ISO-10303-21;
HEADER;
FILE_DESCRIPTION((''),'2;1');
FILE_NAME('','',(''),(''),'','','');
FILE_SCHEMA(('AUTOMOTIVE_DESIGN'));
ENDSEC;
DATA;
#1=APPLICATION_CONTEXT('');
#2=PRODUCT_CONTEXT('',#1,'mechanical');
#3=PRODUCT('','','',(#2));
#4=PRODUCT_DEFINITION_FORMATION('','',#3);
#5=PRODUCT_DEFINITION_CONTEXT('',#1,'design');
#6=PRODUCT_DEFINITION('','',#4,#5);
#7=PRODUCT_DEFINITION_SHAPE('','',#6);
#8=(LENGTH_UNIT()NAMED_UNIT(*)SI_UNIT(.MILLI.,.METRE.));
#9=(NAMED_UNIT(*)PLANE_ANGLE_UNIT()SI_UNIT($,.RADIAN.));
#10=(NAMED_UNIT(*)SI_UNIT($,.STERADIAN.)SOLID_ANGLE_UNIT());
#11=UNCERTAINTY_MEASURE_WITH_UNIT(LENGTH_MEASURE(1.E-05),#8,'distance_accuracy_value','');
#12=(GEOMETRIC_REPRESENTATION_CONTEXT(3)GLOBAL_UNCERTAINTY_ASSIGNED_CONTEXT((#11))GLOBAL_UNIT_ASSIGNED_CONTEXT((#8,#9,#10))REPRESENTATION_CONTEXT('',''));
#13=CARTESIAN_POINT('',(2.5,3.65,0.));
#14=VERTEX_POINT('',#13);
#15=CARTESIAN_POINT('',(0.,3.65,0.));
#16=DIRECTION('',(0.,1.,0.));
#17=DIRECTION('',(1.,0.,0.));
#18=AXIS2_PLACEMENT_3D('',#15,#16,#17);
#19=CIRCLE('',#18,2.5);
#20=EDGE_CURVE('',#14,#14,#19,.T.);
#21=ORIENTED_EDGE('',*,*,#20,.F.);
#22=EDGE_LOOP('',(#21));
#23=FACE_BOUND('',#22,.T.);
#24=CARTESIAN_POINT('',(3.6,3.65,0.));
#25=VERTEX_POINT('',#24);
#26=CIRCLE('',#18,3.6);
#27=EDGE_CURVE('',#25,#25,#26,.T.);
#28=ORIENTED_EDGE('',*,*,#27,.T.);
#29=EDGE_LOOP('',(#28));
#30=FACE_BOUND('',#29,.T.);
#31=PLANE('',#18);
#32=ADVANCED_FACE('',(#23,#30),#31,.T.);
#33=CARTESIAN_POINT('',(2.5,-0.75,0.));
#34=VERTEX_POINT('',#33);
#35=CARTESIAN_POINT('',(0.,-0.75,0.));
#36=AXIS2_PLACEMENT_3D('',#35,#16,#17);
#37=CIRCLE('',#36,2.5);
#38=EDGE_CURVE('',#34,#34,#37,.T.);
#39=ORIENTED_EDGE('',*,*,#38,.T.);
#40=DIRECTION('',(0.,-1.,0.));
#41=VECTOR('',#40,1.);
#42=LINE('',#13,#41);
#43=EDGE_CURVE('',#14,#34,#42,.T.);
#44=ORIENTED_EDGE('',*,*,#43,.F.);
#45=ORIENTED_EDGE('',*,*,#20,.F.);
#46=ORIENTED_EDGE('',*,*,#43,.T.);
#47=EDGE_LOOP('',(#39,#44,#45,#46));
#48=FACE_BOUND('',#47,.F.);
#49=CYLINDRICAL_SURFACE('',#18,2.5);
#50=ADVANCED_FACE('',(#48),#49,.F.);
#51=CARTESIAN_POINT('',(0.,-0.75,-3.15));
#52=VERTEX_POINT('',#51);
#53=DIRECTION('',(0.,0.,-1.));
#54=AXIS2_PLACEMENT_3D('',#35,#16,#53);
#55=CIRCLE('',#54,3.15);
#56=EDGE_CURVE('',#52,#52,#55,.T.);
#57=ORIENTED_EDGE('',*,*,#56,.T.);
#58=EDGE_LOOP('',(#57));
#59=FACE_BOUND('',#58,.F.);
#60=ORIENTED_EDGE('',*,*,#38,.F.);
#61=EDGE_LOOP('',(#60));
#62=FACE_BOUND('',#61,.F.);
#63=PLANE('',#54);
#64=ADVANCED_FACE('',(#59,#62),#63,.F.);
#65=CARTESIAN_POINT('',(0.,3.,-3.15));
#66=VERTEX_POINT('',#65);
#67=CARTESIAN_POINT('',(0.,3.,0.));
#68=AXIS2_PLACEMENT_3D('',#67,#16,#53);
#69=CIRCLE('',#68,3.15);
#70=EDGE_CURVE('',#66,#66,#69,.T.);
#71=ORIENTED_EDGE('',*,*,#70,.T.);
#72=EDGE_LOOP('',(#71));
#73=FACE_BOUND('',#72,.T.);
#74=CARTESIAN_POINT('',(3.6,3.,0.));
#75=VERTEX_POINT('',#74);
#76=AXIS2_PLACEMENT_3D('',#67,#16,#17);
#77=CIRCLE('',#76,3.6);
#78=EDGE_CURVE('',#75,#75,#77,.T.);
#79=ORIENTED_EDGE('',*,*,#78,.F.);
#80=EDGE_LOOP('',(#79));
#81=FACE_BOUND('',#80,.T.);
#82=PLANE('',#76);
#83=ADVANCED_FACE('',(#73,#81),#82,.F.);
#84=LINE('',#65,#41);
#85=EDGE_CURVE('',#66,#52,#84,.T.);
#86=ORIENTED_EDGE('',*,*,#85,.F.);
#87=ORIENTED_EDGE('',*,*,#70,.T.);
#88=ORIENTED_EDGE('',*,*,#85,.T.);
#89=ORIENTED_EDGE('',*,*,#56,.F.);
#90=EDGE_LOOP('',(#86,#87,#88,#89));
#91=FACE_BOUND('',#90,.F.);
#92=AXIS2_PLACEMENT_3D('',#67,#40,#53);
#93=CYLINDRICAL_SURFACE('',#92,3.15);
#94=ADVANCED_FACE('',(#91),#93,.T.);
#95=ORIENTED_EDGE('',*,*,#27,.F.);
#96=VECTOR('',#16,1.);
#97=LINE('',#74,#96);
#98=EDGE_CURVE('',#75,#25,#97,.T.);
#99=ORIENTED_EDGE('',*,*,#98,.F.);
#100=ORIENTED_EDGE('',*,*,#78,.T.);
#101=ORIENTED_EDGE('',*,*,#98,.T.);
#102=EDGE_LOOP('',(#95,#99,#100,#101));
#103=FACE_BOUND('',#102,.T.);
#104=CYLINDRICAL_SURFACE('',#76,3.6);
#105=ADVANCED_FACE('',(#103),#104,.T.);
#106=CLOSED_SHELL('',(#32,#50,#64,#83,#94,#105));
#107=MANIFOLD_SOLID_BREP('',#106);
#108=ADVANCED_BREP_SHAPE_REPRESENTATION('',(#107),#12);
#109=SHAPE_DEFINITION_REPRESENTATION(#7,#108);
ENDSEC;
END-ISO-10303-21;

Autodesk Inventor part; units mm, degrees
ref_plane "YZ Plane" through (0, 0, 0) normal (1, 0, 0) x (0, 1, 0)
ref_plane "XZ Plane" through (0, 0, 0) normal (0, 1, 0) x (-1, 0, 0)
ref_plane "XY Plane" through (0, 0, 0) normal (0, 0, 1) x (1, 0, 0)
sketch "Sketch1" plane through (0, 0, 0) normal (0, 0, 1) x (1, 0, 0)
  line L0 (0, 0) -> (1.65, 0)
  line L1 (1.65, 0) -> (1.65, 3)
  line L2 (1.65, 3) -> (3.6, 3)
  line L3 (3.6, 3) -> (3.6, 3.65)
  line L4 (3.6, 3.65) -> (1.65, 3.65)
  line L5 (0, 0) -> (0, 3.65)
  line L6 (1.65, 3.65) -> (0, 3.65)
  dimension "d0" = 1.65
  dimension "d1" = 1.95
  dimension "d2" = 3
  dimension "d3" = 0.65
revolve "Revolution1" add sketch "Sketch1" angle 360 about axis through (0, 0, 0) along (0, 1, 0)
sketch "Sketch2" plane through (0, 0, 0) normal (1, 0, 0) x (0, 1, 0)
  line L0 (3, 1.65) -> (3, -1.65) projected
  line L1 (0, 1.65) -> (0, -1.65) projected
  line L2 (3.65, 3.6) -> (3.65, -3.6) projected
  line L3 (3, 3.6) -> (3, -3.6) projected
  line L4 (3, -1.65) -> (0, -1.65) projected
  line L5 (3, 1.65) -> (0, 1.65) projected
  line L6 (3, -3.15) -> (-0.75, -3.15)
  line L7 (-0.75, -3.15) -> (-0.75, -1.65)
  line L8 (-0.75, -1.65) -> (3, -1.65)
  line L9 (3, -1.65) -> (3, -3.15)
  line L10 (0, 0) -> (11.9884, 0)
  dimension "d5" = 3.75
  dimension "d6" = 1.5
  dimension "d12" = 3.15
sketch "Sketch3" plane through (0, 3.65, 0) normal (0, 1, 0) x (1, 0, 0)
  circle A0 centre (0, 0) radius 2.5
  dimension "d7" = 5
revolve "Revolution2" add sketch "Sketch2" angle 360 about axis through (0, 0, 0) along (0, 1, 0) contours L3 L6 L7 L8 L4
extrude "Extrusion1" cut sketch "Sketch3" against normal through all
properties part number "LED holder" material "ABS Plastic"
